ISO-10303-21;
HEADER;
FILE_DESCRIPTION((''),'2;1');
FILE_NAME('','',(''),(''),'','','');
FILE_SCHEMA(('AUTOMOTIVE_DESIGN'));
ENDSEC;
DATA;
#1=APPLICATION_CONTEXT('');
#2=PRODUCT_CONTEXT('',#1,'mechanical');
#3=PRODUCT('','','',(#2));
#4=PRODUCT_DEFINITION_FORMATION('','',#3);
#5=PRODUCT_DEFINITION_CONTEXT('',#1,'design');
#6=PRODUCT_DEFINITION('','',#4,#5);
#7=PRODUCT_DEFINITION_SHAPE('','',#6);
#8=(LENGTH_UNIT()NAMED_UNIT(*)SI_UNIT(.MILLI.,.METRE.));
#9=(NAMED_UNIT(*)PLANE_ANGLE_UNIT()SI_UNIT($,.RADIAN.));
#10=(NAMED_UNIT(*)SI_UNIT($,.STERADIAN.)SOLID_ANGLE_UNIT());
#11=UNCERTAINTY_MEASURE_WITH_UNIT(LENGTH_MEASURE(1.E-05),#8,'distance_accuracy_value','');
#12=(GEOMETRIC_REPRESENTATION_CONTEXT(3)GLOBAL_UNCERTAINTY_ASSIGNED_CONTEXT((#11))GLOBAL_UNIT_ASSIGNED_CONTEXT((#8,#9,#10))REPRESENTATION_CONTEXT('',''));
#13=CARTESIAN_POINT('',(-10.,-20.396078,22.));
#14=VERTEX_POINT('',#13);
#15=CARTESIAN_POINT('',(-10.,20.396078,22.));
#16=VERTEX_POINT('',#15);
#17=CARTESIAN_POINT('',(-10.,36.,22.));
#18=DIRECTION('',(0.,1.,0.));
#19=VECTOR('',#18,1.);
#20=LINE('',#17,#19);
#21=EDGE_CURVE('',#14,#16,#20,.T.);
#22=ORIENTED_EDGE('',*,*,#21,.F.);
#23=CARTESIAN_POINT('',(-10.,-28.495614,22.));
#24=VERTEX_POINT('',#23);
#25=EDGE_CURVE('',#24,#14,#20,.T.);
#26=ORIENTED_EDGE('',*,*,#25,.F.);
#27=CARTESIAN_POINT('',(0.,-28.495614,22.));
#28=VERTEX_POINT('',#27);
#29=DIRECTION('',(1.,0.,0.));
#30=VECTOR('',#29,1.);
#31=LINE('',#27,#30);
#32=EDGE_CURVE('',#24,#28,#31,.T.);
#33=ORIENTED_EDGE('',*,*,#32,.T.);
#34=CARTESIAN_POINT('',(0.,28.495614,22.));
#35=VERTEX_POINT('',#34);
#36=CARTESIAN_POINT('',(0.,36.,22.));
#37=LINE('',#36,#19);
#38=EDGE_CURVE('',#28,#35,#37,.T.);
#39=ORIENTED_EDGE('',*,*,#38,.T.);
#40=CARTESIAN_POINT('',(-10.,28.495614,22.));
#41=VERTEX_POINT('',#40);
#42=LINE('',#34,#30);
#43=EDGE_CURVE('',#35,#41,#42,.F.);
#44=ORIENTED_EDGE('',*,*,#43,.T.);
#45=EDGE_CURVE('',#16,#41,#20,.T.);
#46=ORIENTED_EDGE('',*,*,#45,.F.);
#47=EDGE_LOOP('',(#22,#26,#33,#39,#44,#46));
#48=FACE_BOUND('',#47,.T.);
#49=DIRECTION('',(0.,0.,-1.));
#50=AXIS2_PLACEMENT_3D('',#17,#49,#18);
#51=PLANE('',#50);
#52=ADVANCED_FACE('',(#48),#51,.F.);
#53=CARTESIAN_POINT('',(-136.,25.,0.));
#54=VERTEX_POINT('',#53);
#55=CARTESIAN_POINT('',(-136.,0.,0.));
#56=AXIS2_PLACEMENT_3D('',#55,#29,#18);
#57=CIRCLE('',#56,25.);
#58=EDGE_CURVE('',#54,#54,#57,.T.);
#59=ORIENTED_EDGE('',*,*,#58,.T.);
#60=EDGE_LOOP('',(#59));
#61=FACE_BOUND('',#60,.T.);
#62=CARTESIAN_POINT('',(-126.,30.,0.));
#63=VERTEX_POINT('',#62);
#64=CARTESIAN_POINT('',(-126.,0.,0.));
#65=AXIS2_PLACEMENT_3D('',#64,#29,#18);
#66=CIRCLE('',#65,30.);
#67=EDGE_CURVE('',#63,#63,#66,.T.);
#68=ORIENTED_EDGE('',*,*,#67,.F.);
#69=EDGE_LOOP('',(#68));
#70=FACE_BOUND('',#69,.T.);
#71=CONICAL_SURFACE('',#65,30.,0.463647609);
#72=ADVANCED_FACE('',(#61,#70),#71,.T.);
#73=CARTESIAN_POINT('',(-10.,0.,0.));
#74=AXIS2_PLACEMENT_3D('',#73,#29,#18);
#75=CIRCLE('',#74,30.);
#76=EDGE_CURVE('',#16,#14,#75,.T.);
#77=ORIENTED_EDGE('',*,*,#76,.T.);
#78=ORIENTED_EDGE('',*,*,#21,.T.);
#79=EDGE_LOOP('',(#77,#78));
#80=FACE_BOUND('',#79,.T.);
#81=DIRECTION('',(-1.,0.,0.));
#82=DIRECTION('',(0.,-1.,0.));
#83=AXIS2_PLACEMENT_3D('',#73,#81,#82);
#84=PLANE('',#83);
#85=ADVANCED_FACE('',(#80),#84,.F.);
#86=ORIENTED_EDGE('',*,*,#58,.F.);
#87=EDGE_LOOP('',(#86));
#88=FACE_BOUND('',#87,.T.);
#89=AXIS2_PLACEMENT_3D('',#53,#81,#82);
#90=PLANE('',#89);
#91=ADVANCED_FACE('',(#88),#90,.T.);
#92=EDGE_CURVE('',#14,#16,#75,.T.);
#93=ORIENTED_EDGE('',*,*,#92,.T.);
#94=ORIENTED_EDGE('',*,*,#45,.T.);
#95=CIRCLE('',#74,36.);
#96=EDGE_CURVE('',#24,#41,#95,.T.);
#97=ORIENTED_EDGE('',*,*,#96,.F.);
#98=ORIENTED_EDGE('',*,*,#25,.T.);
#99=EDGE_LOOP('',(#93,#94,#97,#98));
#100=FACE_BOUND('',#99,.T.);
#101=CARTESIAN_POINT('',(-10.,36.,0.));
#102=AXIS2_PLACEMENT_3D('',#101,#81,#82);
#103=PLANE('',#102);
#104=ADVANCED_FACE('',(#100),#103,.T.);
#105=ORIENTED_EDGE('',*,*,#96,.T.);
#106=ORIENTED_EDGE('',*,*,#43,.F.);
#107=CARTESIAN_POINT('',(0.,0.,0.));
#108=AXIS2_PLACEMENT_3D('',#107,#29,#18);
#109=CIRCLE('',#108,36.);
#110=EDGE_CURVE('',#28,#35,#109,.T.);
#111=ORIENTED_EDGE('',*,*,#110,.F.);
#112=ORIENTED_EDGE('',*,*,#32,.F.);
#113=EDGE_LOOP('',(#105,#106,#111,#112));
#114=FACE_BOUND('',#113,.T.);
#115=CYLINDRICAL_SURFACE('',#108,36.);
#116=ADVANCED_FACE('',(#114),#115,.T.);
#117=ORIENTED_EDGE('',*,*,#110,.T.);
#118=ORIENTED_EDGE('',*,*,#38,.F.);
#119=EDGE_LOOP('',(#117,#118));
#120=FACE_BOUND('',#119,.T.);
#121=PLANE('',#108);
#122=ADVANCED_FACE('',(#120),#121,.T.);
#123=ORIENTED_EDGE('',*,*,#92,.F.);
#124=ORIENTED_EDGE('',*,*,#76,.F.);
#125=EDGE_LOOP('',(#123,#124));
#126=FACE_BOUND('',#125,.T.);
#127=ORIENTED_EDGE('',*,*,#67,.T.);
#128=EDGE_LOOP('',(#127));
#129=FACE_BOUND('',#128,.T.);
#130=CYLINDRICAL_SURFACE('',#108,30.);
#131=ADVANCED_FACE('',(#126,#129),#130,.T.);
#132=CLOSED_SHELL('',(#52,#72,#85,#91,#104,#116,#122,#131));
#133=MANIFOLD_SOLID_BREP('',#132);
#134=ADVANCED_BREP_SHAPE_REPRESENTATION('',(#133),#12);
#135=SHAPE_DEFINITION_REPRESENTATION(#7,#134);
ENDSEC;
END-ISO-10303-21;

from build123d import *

# Parameters (mm, degrees)
SKETCH_2_W          = 14
SKETCH_2_H          = 72
CUT_EXTRUDE_1_DEPTH = 10


with BuildPart() as part:
    # 草图1 → 旋转1 (revolve)
    with BuildSketch(Plane.XY):
        Polygon((0, 0), (-136, 0), (-136, 25), (-126, 30), (-10, 30), (-10, 36), (0, 36), align=None)
    revolve(axis=Axis((0, 0, 0), (-1, 0, 0)))

    # 草图2 → 切除-拉伸1 (cut)
    with BuildSketch(Plane(origin=(0, 0, 0), x_dir=(0, 0, -1), z_dir=(1, 0, 0))):
        with Locations((-29, 0)):
            Rectangle(SKETCH_2_W, SKETCH_2_H)
    extrude(amount=-CUT_EXTRUDE_1_DEPTH, mode=Mode.SUBTRACT)


solid = part.part
